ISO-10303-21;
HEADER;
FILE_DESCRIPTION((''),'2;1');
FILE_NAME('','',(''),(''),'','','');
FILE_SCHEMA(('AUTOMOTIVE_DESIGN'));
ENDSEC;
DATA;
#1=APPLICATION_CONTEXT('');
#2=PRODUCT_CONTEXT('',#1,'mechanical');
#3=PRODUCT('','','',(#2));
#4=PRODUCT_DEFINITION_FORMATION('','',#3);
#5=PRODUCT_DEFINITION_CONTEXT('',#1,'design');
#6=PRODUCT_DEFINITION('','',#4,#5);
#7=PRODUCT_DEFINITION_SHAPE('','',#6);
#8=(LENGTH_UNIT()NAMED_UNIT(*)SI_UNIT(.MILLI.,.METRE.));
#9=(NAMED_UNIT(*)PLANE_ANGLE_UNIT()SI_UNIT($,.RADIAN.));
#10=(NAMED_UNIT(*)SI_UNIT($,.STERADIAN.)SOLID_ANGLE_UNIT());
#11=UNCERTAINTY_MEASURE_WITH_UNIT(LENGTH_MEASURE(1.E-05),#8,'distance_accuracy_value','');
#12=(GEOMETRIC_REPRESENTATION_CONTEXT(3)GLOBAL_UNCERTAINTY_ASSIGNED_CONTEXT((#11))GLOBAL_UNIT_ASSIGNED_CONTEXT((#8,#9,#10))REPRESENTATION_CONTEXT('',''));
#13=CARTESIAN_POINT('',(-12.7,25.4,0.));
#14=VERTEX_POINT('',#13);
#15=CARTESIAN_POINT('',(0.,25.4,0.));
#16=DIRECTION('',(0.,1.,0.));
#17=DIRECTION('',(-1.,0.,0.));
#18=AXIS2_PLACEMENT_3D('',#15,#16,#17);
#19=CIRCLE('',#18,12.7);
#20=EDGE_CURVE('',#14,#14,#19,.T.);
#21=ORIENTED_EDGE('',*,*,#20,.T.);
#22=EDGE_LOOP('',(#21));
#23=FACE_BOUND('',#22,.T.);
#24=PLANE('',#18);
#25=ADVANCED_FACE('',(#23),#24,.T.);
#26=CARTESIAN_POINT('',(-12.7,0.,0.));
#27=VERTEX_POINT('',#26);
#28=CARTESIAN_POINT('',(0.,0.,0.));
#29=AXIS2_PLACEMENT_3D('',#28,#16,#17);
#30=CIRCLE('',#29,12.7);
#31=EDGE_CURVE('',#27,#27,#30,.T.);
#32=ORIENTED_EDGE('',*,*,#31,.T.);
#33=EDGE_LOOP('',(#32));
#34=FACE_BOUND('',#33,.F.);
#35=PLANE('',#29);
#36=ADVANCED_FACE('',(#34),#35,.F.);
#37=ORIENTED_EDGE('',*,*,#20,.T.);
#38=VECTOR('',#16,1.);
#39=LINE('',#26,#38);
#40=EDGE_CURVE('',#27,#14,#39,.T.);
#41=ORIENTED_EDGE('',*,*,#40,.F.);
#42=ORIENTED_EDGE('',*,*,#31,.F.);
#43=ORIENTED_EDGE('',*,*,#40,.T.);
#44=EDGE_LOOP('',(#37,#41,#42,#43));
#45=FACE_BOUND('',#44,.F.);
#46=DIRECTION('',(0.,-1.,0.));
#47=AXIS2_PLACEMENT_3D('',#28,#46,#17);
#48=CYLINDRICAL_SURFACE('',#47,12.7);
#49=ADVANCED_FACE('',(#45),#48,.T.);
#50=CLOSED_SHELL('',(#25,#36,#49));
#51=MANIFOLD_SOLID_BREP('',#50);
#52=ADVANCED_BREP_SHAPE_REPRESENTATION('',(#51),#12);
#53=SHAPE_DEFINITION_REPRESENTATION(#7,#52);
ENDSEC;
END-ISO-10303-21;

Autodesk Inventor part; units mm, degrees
ref_plane "YZ Plane" through (0, 0, 0) normal (1, 0, 0) x (0, 1, 0)
ref_plane "XZ Plane" through (0, 0, 0) normal (0, 1, 0) x (-1, 0, 0)
ref_plane "XY Plane" through (0, 0, 0) normal (0, 0, 1) x (1, 0, 0)
sketch "Sketch1" plane through (0, 0, 0) normal (0, 1, 0) x (-1, 0, 0)
  circle A0 centre (0, 0) radius 12.7
  dimension "d0" = 25.4
extrude "Extrusion1" add sketch "Sketch1" along normal blind 25.4
properties part number "1in PD Gear"
